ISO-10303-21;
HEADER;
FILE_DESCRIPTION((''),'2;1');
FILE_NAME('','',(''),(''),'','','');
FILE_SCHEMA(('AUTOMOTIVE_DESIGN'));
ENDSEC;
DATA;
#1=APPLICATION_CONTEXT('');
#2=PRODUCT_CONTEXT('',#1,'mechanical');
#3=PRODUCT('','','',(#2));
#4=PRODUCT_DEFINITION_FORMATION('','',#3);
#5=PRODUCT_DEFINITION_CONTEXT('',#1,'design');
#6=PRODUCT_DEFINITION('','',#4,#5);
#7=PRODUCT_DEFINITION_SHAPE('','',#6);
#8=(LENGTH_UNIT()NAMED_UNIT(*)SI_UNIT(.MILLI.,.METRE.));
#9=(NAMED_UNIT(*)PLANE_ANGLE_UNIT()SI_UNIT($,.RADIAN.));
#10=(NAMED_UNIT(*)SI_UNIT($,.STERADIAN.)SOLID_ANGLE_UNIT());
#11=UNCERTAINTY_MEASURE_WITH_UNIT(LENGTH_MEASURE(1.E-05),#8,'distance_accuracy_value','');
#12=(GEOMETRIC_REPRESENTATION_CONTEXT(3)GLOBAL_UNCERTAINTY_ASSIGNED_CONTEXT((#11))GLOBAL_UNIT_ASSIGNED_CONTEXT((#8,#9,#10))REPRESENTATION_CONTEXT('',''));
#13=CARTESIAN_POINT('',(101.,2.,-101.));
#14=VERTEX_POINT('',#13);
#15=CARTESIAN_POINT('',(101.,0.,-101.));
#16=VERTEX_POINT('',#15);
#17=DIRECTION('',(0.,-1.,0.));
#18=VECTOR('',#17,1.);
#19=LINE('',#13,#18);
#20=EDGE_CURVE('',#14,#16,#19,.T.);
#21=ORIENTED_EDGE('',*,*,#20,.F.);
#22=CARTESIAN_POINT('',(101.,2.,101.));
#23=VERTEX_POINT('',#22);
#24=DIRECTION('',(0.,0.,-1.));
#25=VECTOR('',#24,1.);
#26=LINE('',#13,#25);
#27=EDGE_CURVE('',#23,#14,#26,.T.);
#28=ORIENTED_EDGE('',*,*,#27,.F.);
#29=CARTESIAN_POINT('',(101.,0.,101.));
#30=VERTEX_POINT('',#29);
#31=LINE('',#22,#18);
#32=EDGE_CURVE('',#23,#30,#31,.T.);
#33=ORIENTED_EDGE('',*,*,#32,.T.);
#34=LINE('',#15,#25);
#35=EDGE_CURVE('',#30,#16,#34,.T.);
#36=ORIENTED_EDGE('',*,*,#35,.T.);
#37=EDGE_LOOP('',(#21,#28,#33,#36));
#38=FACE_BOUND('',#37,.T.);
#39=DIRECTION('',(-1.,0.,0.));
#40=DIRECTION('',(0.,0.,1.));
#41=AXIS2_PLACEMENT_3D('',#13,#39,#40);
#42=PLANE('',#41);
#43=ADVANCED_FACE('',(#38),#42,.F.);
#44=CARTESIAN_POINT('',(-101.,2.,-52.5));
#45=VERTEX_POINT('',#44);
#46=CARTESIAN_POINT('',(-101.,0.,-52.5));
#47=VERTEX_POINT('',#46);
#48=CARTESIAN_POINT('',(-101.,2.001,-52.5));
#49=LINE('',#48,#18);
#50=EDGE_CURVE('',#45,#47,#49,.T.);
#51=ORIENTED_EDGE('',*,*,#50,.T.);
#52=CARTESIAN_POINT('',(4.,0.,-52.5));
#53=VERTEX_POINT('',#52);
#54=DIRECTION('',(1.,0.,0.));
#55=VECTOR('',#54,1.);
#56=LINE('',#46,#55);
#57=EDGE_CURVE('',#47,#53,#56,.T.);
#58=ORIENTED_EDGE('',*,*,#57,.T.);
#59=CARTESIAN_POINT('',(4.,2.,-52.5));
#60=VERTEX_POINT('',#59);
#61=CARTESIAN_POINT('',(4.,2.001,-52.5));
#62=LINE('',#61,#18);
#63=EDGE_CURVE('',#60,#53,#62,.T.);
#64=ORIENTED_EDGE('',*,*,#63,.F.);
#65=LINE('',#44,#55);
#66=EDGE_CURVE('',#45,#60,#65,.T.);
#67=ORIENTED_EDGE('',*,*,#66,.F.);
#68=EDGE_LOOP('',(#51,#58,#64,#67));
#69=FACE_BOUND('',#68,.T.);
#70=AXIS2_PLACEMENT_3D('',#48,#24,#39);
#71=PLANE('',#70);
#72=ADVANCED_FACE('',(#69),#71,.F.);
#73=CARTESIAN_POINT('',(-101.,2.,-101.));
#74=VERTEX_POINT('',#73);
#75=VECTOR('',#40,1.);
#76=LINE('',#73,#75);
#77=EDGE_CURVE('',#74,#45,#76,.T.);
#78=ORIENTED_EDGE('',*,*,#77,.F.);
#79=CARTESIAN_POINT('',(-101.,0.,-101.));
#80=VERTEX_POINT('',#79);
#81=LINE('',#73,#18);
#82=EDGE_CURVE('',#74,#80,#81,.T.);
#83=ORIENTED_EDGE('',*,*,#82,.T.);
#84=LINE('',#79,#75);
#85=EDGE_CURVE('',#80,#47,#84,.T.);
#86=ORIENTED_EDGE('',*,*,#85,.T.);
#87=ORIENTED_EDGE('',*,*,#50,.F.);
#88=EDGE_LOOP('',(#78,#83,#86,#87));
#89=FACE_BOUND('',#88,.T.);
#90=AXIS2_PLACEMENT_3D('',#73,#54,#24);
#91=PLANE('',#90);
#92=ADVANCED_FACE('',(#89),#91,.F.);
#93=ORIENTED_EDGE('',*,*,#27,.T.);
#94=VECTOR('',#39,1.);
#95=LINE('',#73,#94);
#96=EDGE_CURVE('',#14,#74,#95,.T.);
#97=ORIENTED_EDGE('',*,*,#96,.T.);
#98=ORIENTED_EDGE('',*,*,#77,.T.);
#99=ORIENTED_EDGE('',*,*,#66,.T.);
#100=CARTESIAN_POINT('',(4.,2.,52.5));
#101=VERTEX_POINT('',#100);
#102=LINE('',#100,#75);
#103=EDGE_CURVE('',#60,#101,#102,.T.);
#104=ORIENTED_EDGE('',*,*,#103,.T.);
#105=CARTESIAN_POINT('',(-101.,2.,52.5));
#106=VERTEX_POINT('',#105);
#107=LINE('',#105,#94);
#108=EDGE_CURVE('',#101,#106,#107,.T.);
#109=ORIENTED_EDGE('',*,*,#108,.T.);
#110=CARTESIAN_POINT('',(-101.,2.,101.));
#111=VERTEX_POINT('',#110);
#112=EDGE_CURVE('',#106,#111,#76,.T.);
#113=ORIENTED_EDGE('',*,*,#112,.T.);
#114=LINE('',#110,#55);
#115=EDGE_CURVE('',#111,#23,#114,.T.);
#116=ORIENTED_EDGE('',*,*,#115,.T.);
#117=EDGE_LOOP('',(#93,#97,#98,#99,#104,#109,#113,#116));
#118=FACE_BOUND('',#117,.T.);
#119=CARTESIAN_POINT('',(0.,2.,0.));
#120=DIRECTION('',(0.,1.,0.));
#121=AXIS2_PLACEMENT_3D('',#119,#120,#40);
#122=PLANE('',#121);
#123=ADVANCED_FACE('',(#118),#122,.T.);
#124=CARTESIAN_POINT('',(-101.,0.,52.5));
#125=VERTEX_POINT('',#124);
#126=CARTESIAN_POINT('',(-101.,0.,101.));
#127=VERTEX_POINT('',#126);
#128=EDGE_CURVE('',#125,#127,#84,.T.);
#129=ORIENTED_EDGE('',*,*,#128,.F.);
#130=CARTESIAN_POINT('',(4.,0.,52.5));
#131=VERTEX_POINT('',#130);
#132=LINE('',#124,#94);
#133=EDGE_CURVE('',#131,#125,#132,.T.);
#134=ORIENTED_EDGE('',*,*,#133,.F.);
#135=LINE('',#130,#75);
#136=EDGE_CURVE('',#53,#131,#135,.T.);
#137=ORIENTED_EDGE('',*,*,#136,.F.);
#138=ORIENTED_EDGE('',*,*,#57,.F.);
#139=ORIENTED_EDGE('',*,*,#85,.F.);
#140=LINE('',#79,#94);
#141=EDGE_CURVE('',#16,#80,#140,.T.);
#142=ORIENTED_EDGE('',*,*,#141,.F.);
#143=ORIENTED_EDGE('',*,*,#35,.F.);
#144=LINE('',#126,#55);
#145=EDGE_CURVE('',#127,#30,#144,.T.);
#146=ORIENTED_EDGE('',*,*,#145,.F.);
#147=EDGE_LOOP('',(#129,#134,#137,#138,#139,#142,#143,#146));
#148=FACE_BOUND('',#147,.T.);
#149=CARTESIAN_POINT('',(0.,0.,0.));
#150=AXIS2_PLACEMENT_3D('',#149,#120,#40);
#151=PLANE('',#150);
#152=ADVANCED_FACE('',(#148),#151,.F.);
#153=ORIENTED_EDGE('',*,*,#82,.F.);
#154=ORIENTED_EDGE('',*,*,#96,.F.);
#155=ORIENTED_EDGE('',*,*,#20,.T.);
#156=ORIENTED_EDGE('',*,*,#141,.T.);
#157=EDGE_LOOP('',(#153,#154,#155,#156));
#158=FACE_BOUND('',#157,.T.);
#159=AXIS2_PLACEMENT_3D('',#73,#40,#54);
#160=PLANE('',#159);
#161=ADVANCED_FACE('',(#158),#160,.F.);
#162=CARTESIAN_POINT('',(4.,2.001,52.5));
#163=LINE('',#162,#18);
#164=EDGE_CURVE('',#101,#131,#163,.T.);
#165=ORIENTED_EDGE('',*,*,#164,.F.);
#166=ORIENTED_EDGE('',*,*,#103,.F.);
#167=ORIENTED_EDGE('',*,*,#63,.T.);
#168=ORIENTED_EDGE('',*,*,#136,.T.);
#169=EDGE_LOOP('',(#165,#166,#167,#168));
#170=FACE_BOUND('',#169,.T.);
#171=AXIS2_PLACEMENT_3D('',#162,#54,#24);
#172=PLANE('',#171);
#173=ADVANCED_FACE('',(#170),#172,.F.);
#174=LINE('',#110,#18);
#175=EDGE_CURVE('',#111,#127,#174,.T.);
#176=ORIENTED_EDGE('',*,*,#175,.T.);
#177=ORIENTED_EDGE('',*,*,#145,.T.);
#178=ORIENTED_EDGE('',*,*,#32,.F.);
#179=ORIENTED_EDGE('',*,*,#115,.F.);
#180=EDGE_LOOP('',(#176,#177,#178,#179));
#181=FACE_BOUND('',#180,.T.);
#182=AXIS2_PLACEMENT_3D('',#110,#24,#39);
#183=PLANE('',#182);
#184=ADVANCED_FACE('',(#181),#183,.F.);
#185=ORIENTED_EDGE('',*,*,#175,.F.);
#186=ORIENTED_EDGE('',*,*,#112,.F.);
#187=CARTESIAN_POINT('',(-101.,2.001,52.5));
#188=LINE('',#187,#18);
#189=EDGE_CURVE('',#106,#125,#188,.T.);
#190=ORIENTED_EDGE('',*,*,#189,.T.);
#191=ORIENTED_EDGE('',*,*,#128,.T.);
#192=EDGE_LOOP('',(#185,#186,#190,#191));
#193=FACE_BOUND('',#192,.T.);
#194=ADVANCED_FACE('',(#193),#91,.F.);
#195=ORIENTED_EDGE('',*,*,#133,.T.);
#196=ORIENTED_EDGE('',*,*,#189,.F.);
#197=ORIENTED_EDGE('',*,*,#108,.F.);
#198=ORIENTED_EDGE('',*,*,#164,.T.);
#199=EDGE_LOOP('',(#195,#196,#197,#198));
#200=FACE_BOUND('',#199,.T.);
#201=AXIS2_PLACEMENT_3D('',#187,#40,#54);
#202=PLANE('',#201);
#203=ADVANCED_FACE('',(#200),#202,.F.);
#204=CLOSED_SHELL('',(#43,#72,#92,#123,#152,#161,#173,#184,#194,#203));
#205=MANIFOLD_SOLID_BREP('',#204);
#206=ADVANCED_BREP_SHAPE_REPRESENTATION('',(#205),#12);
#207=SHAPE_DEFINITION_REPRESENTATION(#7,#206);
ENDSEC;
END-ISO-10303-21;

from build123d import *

# Parameters (mm, degrees)
SKETCH1_W           = 202
SKETCH1_H           = 202
BOSS_EXTRUDE1_DEPTH = 2
CUT_EXTRUDE1_REACH  = 144.85
SKETCH2_W           = 105
SKETCH2_H           = 105


with BuildPart() as part:
    # Sketch1 → Boss-Extrude1 (new body)
    with BuildSketch(Plane(origin=(0, 0, 0), x_dir=(1, 0, 0), z_dir=(0, 1, 0))):
        Rectangle(SKETCH1_W, SKETCH1_H)
    extrude(amount=BOSS_EXTRUDE1_DEPTH)

    # Sketch2 → Cut-Extrude1 (cut, up to next)
    with BuildSketch(Plane.XZ, mode=Mode.PRIVATE) as cut_extrude1_sk1:
        with Locations((-48.5, 0)):
            Rectangle(SKETCH2_W, SKETCH2_H)
    cut_extrude1_tool1 = extrude(cut_extrude1_sk1.sketch, amount=-CUT_EXTRUDE1_REACH, mode=Mode.PRIVATE) & part.part
    add(cut_extrude1_tool1.solids().sort_by_distance((-48.5, 0, 0))[0], mode=Mode.SUBTRACT)


solid = part.part
